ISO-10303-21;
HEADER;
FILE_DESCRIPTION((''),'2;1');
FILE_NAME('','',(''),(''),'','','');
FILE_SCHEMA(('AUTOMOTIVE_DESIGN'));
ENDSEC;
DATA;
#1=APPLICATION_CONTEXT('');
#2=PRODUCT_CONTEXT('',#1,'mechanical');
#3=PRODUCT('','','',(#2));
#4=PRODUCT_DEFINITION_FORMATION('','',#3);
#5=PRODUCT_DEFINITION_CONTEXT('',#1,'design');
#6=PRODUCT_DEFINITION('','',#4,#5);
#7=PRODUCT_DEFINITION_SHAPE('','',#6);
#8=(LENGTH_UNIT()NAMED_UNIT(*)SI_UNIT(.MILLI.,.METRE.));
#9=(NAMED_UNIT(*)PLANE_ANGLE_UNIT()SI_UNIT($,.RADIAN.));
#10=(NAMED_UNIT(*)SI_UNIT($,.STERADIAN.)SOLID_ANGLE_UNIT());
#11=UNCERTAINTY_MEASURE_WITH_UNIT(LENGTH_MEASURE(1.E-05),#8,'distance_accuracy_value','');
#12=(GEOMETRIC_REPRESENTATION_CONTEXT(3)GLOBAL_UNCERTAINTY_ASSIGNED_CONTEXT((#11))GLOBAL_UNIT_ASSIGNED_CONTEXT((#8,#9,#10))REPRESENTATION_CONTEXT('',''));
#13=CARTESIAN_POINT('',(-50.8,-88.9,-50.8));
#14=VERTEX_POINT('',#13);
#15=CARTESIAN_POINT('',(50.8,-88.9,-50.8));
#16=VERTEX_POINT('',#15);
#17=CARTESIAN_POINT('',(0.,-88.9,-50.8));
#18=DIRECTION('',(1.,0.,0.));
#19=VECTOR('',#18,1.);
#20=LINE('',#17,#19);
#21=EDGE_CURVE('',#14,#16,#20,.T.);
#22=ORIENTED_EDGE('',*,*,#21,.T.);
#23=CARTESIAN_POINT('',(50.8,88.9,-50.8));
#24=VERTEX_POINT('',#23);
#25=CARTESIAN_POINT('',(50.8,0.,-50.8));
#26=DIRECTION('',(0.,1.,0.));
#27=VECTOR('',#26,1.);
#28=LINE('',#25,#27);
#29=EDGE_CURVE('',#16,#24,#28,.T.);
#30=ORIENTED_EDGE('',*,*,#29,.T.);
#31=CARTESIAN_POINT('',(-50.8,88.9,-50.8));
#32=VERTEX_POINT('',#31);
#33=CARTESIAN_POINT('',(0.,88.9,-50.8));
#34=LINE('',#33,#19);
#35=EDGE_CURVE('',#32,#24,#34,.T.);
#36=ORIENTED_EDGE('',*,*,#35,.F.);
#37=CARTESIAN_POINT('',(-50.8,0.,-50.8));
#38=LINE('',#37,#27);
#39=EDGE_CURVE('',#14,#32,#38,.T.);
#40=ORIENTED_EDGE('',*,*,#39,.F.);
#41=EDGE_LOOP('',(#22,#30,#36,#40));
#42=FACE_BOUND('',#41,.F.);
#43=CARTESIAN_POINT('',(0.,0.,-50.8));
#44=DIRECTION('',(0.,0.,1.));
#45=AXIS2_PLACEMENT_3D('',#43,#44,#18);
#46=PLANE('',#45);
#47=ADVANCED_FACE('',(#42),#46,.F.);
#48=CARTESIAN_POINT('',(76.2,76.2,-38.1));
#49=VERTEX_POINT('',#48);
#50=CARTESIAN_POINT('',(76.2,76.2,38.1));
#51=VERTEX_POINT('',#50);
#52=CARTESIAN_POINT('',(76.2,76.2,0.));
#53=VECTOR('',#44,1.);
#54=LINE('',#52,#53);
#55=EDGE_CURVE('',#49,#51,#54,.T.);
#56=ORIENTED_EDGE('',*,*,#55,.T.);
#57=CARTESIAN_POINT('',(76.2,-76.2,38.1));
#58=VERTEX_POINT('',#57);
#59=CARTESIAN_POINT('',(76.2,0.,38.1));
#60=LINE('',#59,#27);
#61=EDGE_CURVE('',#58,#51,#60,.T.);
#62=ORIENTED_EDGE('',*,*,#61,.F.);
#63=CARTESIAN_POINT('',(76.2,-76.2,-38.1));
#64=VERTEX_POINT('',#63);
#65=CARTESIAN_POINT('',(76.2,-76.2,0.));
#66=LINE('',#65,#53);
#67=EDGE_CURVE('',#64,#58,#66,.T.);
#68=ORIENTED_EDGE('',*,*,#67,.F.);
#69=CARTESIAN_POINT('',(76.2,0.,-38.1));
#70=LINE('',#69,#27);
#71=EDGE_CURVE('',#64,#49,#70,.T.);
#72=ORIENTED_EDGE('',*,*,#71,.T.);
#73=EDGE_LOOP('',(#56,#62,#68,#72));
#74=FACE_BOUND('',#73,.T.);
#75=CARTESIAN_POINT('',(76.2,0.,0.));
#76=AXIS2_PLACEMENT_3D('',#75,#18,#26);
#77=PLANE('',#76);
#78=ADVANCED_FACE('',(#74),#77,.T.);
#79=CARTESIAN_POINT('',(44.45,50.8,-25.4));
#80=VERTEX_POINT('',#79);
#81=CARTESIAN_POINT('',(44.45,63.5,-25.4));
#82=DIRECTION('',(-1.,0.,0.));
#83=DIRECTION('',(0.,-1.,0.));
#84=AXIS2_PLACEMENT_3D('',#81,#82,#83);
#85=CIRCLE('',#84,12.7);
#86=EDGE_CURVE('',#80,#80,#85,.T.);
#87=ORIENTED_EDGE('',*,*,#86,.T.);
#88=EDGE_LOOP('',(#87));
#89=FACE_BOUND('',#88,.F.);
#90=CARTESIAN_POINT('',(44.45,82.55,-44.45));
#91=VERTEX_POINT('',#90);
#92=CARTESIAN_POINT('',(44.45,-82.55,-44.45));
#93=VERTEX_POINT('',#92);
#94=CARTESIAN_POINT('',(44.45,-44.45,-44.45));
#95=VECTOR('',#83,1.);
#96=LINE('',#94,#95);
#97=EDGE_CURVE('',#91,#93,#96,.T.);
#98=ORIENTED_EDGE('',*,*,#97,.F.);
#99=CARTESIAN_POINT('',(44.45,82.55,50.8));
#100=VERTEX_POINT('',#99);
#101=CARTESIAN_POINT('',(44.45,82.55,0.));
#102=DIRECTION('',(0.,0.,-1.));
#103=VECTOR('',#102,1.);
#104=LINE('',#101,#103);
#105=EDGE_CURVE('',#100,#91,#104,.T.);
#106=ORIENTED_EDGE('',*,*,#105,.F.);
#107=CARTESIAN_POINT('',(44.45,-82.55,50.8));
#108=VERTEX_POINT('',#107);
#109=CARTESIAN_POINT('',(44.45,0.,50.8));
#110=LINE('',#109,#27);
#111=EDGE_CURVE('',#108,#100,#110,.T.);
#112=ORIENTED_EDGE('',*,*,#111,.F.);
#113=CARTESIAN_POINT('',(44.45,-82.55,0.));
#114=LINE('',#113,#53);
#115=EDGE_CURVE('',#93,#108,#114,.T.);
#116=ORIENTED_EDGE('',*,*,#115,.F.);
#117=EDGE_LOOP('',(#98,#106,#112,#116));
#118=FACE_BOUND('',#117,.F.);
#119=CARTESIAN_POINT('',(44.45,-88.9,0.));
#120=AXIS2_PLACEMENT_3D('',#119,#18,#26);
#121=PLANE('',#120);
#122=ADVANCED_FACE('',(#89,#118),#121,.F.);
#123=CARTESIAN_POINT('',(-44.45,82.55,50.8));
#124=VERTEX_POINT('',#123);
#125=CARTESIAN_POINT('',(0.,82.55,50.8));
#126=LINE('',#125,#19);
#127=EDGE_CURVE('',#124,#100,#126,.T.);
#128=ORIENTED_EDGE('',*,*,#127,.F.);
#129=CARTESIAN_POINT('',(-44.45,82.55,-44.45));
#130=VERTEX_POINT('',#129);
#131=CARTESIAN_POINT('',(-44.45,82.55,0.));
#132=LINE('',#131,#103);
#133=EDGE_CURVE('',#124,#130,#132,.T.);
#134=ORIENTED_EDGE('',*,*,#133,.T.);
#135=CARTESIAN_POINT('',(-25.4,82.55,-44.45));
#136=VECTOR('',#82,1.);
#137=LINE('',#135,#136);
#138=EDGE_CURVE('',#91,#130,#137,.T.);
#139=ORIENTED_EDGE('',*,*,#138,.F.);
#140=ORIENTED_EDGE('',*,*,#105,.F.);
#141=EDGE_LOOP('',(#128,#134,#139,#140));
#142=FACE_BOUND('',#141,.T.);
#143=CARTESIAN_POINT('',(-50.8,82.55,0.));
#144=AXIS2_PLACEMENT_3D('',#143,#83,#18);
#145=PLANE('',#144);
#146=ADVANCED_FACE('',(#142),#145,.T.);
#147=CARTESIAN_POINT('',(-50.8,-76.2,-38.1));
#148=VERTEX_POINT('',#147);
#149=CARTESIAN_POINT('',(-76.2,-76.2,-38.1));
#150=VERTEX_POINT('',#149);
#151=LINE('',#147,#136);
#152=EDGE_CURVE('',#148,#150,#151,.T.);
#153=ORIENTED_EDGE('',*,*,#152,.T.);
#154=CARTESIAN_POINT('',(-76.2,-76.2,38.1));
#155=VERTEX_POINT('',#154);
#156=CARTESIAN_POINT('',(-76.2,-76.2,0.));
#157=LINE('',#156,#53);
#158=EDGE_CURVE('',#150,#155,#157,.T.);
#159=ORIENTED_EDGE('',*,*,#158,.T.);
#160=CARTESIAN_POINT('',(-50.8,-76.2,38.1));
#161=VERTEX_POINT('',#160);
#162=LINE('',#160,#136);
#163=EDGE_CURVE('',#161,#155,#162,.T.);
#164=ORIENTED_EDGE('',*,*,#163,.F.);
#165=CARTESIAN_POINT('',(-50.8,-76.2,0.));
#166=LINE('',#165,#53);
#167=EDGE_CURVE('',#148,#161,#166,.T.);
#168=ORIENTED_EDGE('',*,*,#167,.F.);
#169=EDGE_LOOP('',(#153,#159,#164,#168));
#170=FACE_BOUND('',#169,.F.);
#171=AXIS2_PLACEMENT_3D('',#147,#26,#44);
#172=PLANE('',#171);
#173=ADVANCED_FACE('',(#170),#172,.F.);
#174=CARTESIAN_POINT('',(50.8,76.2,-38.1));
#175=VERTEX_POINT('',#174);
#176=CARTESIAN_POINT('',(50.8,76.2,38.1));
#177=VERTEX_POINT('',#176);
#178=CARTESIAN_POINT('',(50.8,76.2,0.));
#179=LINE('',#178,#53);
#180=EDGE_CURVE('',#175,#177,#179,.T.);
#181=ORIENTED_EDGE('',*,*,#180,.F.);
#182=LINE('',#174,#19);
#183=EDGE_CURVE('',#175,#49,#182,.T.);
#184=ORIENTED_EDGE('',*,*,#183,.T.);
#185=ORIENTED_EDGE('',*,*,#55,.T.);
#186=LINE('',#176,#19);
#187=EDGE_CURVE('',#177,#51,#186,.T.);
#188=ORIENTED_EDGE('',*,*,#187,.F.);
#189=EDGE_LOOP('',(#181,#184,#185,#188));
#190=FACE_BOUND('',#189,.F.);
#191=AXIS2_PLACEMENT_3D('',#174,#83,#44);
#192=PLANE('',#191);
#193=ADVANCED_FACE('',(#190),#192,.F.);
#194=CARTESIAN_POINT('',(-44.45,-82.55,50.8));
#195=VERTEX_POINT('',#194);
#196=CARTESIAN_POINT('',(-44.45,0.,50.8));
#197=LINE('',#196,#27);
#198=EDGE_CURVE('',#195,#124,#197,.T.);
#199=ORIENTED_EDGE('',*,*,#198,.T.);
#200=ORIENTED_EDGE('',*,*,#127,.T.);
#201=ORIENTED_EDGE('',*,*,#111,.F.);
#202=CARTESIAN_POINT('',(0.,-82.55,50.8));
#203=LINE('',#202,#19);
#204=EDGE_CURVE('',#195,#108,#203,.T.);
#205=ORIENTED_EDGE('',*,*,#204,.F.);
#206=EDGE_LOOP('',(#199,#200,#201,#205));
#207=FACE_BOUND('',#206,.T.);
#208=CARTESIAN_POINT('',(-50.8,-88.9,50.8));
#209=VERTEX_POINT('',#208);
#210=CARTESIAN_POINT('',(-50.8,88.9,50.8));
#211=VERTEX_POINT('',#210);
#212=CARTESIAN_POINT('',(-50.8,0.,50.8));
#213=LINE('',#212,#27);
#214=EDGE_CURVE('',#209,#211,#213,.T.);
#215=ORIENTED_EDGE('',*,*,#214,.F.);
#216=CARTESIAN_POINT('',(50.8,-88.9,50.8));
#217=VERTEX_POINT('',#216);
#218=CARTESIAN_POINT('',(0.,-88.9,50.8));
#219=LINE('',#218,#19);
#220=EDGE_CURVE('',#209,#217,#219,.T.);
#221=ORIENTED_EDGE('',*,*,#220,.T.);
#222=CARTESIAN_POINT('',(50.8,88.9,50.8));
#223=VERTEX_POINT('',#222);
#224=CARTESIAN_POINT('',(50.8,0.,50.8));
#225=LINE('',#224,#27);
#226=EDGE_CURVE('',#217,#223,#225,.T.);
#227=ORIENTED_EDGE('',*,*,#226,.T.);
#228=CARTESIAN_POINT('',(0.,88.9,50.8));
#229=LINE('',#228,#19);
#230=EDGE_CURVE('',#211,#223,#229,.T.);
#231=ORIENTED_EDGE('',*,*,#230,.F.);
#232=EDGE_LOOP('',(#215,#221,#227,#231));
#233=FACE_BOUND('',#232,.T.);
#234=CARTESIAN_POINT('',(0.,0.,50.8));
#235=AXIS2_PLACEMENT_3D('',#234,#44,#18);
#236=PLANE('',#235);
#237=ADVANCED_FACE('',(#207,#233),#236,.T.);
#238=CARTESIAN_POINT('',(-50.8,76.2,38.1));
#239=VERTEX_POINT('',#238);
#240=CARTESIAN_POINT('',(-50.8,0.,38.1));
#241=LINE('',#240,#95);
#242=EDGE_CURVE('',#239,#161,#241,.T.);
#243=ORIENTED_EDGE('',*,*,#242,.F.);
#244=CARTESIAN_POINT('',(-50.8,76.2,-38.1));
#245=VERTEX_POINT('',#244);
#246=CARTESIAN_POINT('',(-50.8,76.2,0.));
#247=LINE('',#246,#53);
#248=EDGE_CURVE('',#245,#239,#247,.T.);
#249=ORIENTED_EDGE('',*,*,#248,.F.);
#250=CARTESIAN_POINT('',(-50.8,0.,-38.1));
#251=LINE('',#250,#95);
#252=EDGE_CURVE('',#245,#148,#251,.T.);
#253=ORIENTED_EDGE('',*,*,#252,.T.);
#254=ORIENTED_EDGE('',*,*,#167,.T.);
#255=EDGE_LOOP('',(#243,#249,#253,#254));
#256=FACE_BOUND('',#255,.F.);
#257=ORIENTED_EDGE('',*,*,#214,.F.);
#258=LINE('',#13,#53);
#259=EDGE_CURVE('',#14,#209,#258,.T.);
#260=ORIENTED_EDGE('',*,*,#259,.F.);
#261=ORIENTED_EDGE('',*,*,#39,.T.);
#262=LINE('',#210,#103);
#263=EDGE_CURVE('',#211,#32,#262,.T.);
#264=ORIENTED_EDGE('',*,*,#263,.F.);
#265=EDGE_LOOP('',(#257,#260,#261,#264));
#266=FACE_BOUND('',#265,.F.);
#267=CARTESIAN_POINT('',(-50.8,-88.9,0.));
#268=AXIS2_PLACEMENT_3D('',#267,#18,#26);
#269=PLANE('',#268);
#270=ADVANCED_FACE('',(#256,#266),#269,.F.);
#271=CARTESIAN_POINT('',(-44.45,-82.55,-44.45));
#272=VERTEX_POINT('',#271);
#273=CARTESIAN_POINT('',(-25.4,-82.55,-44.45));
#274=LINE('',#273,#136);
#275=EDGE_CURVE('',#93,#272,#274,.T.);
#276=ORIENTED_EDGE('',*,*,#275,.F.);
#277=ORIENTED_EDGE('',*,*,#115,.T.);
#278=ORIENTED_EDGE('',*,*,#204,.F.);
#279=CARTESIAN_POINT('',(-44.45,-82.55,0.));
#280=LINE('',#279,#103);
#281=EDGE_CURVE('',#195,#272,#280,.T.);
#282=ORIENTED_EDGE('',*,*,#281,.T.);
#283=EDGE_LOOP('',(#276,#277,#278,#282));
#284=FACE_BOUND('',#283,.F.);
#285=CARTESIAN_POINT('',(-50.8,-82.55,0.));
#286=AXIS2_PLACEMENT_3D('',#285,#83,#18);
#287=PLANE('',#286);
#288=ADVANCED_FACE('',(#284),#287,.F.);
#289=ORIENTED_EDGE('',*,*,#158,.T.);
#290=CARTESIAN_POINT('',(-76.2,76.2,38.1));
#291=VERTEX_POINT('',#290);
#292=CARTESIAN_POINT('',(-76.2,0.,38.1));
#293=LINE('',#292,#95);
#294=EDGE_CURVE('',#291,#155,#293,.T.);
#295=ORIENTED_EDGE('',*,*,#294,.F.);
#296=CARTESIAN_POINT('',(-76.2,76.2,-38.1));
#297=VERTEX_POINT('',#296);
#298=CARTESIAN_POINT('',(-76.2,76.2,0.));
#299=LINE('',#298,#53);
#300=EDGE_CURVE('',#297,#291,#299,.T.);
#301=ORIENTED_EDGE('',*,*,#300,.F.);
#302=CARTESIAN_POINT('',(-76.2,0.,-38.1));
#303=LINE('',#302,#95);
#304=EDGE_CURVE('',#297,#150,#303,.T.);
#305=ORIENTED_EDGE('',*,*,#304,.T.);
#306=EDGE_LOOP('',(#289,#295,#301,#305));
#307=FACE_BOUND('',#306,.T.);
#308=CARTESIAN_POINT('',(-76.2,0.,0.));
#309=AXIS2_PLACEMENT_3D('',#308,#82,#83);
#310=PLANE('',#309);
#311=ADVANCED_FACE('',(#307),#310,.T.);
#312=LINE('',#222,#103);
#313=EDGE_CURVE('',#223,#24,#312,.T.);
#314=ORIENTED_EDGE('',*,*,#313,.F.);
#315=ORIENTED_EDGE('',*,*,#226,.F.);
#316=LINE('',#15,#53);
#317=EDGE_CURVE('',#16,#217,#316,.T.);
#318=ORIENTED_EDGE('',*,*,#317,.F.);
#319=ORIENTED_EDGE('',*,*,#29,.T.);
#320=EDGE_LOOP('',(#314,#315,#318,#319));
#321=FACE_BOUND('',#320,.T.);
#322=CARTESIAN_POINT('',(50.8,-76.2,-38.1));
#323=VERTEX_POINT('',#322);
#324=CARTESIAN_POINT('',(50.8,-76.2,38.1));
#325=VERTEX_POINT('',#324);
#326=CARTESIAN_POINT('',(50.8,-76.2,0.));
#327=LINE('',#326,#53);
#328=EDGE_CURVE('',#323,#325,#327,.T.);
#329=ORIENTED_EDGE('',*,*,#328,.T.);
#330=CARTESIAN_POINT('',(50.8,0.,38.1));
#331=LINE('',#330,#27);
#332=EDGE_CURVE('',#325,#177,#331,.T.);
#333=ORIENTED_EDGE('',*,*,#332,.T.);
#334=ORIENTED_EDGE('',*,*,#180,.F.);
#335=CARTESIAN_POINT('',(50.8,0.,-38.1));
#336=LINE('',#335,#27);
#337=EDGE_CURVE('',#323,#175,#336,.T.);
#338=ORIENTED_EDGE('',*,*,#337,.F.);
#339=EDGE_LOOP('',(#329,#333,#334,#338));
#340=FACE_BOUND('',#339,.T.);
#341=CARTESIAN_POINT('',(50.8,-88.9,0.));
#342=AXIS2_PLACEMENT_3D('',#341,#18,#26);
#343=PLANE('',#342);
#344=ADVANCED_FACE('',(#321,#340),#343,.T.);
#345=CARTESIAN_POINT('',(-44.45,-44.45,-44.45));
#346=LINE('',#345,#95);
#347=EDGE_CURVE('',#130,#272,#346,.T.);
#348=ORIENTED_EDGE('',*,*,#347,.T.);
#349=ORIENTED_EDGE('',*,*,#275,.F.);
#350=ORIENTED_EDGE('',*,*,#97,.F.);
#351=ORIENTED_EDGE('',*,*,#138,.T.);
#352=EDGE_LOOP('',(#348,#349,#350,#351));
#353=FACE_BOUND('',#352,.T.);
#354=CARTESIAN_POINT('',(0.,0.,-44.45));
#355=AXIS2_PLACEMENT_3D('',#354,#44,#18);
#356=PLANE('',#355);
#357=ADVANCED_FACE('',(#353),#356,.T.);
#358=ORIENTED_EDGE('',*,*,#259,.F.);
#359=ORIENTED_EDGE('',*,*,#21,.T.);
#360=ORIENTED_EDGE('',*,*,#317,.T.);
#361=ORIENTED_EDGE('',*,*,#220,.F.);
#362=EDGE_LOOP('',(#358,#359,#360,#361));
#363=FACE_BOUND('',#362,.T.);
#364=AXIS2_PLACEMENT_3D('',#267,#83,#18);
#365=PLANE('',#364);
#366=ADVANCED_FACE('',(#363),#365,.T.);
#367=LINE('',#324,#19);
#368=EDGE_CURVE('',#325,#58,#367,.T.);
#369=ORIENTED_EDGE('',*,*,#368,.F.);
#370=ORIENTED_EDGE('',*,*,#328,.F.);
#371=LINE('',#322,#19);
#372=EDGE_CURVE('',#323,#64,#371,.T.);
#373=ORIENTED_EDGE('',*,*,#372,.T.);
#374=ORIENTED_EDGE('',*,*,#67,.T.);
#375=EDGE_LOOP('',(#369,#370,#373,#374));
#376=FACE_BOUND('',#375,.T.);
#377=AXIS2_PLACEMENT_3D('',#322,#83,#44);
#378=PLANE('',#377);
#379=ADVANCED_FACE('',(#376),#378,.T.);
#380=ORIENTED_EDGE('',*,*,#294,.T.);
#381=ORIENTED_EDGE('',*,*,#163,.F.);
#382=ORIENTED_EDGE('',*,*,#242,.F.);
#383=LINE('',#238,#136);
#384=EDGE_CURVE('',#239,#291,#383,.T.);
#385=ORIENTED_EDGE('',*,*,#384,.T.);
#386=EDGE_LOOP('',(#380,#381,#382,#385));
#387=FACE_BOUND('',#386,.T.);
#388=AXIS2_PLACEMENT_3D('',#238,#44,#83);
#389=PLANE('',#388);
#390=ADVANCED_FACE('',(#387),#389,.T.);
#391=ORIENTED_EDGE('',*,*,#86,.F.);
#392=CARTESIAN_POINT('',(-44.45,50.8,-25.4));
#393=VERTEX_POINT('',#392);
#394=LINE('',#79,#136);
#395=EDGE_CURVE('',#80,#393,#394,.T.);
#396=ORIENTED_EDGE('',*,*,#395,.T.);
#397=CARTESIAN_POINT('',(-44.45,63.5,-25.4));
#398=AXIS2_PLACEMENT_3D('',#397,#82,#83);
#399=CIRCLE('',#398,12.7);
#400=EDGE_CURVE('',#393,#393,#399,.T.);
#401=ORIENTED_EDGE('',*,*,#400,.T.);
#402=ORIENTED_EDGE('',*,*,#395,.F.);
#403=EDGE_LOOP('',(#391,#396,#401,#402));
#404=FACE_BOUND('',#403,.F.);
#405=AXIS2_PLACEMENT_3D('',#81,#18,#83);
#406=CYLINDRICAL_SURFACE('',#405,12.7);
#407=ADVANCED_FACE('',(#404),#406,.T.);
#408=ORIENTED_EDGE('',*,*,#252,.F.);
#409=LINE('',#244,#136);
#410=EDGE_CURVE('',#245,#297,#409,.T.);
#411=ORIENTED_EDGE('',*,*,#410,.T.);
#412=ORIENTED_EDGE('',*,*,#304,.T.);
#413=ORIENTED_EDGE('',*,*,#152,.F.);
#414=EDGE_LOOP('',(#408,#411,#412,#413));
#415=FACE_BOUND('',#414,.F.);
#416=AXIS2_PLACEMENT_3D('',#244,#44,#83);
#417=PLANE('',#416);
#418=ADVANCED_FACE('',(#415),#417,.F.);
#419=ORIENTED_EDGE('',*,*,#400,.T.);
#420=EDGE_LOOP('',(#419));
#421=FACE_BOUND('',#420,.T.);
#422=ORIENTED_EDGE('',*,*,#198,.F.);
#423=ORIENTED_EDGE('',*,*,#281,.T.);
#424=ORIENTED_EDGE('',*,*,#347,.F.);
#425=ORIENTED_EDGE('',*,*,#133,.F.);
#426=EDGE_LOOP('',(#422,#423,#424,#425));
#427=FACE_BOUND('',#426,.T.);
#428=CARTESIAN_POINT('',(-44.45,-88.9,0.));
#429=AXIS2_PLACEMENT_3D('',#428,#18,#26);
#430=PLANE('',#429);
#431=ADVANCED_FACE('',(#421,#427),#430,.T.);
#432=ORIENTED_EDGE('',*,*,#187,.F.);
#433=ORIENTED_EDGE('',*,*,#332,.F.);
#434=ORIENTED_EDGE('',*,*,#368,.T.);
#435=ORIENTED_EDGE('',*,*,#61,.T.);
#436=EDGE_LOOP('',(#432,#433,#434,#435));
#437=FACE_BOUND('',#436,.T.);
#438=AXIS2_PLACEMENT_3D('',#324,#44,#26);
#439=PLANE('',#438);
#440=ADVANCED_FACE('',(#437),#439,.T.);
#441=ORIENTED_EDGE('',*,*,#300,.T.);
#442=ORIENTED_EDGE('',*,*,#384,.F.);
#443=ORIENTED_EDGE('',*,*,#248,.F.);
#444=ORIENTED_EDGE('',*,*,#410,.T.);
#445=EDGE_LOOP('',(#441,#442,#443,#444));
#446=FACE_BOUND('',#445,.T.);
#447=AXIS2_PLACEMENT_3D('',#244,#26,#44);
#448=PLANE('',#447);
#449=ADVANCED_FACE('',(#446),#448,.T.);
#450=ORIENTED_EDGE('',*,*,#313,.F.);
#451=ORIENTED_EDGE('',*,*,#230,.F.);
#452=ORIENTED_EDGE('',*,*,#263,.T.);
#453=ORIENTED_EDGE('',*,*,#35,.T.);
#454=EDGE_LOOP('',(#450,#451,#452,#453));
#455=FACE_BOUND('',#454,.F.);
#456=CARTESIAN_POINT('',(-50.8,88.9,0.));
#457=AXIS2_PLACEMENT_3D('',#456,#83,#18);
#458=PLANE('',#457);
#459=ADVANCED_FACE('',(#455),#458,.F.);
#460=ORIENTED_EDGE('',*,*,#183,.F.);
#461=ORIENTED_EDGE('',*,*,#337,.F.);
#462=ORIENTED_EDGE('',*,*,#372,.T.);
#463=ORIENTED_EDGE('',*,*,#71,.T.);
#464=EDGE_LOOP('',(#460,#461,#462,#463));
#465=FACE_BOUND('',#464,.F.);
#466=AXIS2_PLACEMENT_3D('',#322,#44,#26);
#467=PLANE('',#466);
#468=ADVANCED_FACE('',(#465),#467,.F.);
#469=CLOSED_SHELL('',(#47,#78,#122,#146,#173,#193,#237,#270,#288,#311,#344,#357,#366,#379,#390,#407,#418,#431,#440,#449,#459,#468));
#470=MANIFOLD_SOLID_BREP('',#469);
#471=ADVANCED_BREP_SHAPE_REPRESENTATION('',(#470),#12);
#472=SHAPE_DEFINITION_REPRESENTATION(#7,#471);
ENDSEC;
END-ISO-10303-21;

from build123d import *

# Parameters (mm, degrees)
F0_W     = 101.6
F0_H     = 177.8
F1_DEPTH = 50.8
F2_T     = -6.35
F3_W     = 152.4
F3_H     = 76.2
F4_DEPTH = 25.4
F5_W     = 152.4
F5_H     = 76.2
F6_DEPTH = 25.4
F7_R     = 12.7
F8_DEPTH = 88.9


with BuildPart() as f1:
    # F0 (on Top) → F1 (new body, symmetric)
    with BuildSketch(Plane.XY):
        Rectangle(F0_W, F0_H)
    extrude(amount=F1_DEPTH, both=True)

    # F2
    f2_openings = [f1.faces().sort_by_distance(p)[0] for p in [
        (0, 0, 50.8),
    ]]
    offset(amount=F2_T, openings=f2_openings)

    # F3 (on face) → F4 (join)
    with BuildSketch(Plane.YZ.offset(50.8)):
        Rectangle(F3_W, F3_H)
    extrude(amount=F4_DEPTH)

    # F5 (on face) → F6 (join)
    with BuildSketch(Plane(origin=(-50.8, 0, 0), x_dir=(0, -1, 0), z_dir=(-1, 0, 0))):
        Rectangle(F5_W, F5_H)
    extrude(amount=F6_DEPTH)

    # F7 (on face) → F8 (join)
    with BuildSketch(Plane(origin=(44.45, 0, 0), x_dir=(0, -1, 0), z_dir=(-1, 0, 0))):
        with Locations((-63.5, -25.4)):
            Circle(F7_R)
    extrude(amount=F8_DEPTH)


solid = f1.part
